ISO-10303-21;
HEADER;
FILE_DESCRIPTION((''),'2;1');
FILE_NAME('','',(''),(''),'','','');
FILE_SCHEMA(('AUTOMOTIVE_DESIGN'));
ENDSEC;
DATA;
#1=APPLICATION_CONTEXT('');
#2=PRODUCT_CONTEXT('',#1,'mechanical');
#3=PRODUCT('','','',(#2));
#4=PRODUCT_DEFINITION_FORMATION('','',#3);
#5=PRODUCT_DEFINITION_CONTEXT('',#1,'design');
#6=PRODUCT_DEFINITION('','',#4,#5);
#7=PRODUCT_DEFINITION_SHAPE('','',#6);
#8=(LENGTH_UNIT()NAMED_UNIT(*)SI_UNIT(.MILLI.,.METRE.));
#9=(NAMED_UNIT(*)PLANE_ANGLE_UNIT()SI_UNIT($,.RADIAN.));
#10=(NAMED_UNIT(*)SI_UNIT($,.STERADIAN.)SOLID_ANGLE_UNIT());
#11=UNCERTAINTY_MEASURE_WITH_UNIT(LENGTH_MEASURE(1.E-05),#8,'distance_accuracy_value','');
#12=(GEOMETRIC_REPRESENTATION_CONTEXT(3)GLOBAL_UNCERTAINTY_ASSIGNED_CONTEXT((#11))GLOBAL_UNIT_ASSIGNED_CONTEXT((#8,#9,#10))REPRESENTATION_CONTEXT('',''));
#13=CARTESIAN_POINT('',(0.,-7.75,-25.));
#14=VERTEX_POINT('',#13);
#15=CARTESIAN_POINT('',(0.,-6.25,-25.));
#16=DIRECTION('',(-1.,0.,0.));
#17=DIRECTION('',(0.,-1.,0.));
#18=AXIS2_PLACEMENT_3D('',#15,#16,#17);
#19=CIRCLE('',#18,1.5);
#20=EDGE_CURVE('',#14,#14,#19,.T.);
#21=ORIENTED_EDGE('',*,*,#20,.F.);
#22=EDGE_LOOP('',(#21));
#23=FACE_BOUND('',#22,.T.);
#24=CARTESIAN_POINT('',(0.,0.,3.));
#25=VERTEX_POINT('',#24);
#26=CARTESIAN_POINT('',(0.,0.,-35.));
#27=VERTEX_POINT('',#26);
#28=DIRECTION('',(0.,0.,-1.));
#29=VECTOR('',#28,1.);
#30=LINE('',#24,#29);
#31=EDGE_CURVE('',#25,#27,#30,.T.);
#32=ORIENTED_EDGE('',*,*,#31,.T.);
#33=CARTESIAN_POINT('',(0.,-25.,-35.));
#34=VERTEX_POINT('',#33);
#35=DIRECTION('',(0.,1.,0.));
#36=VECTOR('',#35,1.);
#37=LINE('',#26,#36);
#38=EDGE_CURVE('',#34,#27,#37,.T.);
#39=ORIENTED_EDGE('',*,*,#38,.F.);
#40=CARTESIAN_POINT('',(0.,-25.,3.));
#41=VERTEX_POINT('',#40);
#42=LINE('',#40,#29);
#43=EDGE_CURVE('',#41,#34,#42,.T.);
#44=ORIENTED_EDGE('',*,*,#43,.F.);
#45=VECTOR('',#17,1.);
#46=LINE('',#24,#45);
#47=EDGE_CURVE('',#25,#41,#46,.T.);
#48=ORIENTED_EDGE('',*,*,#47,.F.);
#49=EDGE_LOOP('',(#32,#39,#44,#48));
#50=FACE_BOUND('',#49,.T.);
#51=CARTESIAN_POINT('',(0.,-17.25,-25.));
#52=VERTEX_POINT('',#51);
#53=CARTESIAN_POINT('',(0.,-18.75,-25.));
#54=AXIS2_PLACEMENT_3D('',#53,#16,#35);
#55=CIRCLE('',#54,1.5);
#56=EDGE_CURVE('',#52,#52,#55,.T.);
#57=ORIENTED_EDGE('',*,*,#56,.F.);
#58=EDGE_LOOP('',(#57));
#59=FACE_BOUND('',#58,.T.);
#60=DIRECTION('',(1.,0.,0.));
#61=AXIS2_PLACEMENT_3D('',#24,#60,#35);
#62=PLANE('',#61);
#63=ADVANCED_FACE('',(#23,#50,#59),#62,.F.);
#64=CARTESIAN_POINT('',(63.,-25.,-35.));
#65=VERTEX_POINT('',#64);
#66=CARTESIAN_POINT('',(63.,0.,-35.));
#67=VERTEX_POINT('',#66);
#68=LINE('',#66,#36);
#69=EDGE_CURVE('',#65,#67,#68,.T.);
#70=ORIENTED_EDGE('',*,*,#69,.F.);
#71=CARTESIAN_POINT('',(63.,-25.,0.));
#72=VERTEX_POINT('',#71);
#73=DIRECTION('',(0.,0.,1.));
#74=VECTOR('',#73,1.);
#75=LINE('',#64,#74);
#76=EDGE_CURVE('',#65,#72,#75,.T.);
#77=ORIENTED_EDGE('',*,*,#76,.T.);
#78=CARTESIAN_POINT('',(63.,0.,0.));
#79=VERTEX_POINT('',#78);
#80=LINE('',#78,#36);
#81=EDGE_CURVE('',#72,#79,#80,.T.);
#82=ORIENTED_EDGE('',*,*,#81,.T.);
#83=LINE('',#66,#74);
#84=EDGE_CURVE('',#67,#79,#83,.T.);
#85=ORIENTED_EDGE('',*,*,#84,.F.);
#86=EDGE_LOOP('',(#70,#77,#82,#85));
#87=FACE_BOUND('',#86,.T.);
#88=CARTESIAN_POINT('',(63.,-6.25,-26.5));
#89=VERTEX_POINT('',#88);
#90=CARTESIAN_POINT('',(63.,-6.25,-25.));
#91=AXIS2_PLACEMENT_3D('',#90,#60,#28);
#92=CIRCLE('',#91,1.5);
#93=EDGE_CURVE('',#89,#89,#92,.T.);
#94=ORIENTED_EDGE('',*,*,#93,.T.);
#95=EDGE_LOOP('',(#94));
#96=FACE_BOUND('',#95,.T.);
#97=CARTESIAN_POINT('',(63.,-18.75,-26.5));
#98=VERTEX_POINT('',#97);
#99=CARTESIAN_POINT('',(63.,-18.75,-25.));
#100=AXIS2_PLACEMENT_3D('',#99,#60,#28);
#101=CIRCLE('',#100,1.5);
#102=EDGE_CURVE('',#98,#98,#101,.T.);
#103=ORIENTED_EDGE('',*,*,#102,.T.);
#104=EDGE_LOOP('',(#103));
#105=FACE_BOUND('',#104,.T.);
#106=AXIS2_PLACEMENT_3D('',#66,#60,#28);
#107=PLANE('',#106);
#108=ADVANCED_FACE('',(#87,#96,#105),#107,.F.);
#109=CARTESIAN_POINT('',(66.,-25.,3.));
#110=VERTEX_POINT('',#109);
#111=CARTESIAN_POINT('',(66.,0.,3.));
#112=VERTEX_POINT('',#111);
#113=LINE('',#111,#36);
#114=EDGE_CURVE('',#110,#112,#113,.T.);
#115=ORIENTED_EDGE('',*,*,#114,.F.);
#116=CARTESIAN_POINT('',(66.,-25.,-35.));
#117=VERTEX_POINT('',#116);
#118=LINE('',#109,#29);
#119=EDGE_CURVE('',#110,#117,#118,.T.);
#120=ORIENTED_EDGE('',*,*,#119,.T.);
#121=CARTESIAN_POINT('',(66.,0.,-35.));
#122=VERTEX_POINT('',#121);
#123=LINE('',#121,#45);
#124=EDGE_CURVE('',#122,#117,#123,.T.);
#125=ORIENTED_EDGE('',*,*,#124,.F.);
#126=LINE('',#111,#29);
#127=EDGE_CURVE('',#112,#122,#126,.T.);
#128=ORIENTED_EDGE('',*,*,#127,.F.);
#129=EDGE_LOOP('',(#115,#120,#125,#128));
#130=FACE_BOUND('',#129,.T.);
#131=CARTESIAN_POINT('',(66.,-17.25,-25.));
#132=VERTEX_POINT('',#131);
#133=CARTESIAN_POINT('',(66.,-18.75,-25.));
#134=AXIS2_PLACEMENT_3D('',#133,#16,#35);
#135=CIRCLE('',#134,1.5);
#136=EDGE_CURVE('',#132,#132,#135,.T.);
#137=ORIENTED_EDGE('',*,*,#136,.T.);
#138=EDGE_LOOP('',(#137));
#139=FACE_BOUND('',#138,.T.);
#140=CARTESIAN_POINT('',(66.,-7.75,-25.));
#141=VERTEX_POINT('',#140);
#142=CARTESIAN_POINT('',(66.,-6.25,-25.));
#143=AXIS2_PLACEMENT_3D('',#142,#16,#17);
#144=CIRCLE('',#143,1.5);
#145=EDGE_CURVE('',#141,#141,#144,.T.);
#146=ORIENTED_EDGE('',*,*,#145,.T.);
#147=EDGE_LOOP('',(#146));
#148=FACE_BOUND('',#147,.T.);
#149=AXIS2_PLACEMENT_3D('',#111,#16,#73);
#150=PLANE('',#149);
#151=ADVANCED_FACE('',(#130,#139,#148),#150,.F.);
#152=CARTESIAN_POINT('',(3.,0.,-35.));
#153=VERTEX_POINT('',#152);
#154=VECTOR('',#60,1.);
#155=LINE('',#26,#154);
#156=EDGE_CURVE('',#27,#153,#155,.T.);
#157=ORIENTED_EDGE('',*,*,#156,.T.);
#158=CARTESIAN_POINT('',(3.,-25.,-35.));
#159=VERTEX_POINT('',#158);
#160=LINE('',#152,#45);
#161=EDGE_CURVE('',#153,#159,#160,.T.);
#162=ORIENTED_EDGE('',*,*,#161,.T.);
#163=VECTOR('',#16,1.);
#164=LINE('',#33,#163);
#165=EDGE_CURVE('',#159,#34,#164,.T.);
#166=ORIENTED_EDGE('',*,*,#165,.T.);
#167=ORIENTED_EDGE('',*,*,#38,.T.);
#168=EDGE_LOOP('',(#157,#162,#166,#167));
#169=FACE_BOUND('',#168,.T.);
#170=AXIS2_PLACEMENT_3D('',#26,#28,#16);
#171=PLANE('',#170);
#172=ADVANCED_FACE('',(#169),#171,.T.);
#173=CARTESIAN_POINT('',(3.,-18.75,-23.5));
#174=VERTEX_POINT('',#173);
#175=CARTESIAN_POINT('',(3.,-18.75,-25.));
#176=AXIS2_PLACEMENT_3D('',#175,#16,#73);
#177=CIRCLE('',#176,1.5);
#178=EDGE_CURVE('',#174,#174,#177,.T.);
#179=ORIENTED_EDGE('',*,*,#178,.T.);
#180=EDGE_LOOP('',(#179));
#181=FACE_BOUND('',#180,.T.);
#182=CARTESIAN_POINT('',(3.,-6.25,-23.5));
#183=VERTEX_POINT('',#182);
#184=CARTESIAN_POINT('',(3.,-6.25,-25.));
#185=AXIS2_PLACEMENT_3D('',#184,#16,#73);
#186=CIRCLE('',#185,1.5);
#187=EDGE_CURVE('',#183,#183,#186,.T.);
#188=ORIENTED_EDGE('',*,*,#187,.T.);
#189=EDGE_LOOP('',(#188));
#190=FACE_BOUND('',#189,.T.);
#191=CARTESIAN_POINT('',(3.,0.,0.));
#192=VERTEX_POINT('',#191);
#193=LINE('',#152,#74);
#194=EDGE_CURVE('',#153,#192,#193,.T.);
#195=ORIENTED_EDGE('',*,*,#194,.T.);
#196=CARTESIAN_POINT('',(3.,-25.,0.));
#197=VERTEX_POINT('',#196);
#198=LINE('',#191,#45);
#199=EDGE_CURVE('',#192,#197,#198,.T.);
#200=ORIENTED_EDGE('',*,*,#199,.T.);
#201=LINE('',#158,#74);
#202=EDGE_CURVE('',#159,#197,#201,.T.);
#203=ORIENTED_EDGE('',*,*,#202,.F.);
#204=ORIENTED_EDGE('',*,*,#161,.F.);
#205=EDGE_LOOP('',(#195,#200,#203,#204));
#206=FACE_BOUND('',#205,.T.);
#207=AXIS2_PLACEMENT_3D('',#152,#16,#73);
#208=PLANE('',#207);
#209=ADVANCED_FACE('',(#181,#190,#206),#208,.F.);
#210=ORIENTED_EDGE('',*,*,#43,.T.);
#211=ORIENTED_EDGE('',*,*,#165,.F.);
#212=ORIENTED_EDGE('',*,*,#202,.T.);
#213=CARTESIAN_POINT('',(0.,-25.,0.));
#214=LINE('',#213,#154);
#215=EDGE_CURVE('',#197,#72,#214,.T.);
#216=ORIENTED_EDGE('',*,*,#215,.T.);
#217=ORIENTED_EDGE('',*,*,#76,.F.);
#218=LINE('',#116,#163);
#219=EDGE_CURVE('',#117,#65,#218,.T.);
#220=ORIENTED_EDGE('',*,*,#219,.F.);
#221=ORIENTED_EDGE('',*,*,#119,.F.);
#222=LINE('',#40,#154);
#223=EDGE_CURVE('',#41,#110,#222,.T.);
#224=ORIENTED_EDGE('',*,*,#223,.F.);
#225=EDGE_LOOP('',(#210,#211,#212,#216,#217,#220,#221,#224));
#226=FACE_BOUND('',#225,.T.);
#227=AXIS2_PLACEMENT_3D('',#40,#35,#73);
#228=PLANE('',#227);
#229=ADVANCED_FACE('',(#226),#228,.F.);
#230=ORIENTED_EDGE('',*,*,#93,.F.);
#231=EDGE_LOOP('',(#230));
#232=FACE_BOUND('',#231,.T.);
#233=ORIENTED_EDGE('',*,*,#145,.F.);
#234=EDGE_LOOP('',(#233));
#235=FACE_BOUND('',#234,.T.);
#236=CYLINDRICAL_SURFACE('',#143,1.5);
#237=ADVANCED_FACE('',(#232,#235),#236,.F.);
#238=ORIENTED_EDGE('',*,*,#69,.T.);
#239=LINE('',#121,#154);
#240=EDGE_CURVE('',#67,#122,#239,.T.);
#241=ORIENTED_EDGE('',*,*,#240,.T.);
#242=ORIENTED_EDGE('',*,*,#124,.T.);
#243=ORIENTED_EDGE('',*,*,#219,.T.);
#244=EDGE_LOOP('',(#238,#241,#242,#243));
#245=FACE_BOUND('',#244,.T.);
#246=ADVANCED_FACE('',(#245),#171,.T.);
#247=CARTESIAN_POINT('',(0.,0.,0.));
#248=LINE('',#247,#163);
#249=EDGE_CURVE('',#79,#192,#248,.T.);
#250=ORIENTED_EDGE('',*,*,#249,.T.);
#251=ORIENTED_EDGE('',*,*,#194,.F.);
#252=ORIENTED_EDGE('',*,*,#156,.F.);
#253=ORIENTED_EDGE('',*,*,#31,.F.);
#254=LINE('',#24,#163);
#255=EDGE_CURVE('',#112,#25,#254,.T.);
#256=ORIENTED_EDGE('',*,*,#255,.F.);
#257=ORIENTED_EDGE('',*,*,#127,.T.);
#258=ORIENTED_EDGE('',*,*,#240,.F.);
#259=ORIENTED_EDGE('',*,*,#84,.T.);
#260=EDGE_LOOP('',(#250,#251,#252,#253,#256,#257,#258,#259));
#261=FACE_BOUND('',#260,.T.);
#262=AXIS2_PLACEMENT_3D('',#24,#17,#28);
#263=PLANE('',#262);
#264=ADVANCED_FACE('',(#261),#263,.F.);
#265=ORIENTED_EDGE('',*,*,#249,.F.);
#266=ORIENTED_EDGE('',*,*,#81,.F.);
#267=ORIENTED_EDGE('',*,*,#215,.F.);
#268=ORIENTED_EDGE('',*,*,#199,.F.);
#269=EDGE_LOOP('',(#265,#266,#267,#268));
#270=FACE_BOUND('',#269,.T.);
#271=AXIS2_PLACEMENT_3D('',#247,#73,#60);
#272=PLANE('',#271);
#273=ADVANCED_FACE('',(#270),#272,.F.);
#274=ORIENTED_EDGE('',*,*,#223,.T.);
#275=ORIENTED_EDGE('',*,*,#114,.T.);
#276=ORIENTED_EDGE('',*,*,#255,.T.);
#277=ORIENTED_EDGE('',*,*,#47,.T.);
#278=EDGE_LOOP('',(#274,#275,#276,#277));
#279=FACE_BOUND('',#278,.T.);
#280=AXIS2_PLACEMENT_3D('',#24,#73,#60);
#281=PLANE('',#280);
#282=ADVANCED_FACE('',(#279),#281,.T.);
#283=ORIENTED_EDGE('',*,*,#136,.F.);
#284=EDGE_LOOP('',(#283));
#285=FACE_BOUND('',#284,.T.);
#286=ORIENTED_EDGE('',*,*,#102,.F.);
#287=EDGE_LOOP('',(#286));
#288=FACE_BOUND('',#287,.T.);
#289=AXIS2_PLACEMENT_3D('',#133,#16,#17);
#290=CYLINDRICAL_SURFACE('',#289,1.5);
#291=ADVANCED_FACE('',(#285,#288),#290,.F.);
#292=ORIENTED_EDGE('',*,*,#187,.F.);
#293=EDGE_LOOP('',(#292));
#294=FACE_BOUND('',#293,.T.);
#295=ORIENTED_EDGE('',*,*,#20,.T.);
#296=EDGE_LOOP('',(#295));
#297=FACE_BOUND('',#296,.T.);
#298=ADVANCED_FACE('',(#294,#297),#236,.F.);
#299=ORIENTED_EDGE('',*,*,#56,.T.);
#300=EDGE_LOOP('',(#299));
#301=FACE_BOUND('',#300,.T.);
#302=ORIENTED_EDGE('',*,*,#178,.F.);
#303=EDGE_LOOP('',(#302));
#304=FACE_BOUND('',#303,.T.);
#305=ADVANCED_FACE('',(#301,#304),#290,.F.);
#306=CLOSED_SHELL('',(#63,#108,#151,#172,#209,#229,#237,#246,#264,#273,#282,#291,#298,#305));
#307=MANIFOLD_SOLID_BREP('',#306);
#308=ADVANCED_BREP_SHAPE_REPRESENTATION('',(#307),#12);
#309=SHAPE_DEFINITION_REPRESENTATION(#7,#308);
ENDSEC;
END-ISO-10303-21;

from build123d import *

# Parameters (mm, degrees)
SKETCH_1_W          = 66
SKETCH_1_H          = 25
EXTRUDE_1_DEPTH     = 3
SKETCH_2_W          = 3
SKETCH_2_H          = 25
EXTRUDE_2_DEPTH     = 35
SKETCH_3_R          = 1.5
CUT_EXTRUDE_1_DEPTH = 79.778169565


with BuildPart() as part:
    # 草图1 → 凸台-拉伸1 (new body)
    with BuildSketch(Plane.XY):
        with Locations((33, -12.5)):
            Rectangle(SKETCH_1_W, SKETCH_1_H)
    extrude(amount=EXTRUDE_1_DEPTH)

    # 草图2 → 凸台-拉伸2 (add)
    with BuildSketch(Plane(origin=(0, 0, 0), x_dir=(-1, 0, 0), z_dir=(0, 0, -1))):
        with Locations((-1.5, -12.5)):
            Rectangle(SKETCH_2_W, SKETCH_2_H)
        with Locations((-64.5, -12.5)):
            Rectangle(SKETCH_2_W, SKETCH_2_H)
    extrude(amount=EXTRUDE_2_DEPTH)

    # 草图3 → 切除-拉伸1 (cut, through all)
    with BuildSketch(Plane.ZY):
        with Locations(Location((-25, -6.25, 0), (0, 0, 270))):
            Circle(SKETCH_3_R)
        with Locations((-25, -18.75)):
            Circle(SKETCH_3_R)
    extrude(amount=-CUT_EXTRUDE_1_DEPTH, mode=Mode.SUBTRACT)


solid = part.part
